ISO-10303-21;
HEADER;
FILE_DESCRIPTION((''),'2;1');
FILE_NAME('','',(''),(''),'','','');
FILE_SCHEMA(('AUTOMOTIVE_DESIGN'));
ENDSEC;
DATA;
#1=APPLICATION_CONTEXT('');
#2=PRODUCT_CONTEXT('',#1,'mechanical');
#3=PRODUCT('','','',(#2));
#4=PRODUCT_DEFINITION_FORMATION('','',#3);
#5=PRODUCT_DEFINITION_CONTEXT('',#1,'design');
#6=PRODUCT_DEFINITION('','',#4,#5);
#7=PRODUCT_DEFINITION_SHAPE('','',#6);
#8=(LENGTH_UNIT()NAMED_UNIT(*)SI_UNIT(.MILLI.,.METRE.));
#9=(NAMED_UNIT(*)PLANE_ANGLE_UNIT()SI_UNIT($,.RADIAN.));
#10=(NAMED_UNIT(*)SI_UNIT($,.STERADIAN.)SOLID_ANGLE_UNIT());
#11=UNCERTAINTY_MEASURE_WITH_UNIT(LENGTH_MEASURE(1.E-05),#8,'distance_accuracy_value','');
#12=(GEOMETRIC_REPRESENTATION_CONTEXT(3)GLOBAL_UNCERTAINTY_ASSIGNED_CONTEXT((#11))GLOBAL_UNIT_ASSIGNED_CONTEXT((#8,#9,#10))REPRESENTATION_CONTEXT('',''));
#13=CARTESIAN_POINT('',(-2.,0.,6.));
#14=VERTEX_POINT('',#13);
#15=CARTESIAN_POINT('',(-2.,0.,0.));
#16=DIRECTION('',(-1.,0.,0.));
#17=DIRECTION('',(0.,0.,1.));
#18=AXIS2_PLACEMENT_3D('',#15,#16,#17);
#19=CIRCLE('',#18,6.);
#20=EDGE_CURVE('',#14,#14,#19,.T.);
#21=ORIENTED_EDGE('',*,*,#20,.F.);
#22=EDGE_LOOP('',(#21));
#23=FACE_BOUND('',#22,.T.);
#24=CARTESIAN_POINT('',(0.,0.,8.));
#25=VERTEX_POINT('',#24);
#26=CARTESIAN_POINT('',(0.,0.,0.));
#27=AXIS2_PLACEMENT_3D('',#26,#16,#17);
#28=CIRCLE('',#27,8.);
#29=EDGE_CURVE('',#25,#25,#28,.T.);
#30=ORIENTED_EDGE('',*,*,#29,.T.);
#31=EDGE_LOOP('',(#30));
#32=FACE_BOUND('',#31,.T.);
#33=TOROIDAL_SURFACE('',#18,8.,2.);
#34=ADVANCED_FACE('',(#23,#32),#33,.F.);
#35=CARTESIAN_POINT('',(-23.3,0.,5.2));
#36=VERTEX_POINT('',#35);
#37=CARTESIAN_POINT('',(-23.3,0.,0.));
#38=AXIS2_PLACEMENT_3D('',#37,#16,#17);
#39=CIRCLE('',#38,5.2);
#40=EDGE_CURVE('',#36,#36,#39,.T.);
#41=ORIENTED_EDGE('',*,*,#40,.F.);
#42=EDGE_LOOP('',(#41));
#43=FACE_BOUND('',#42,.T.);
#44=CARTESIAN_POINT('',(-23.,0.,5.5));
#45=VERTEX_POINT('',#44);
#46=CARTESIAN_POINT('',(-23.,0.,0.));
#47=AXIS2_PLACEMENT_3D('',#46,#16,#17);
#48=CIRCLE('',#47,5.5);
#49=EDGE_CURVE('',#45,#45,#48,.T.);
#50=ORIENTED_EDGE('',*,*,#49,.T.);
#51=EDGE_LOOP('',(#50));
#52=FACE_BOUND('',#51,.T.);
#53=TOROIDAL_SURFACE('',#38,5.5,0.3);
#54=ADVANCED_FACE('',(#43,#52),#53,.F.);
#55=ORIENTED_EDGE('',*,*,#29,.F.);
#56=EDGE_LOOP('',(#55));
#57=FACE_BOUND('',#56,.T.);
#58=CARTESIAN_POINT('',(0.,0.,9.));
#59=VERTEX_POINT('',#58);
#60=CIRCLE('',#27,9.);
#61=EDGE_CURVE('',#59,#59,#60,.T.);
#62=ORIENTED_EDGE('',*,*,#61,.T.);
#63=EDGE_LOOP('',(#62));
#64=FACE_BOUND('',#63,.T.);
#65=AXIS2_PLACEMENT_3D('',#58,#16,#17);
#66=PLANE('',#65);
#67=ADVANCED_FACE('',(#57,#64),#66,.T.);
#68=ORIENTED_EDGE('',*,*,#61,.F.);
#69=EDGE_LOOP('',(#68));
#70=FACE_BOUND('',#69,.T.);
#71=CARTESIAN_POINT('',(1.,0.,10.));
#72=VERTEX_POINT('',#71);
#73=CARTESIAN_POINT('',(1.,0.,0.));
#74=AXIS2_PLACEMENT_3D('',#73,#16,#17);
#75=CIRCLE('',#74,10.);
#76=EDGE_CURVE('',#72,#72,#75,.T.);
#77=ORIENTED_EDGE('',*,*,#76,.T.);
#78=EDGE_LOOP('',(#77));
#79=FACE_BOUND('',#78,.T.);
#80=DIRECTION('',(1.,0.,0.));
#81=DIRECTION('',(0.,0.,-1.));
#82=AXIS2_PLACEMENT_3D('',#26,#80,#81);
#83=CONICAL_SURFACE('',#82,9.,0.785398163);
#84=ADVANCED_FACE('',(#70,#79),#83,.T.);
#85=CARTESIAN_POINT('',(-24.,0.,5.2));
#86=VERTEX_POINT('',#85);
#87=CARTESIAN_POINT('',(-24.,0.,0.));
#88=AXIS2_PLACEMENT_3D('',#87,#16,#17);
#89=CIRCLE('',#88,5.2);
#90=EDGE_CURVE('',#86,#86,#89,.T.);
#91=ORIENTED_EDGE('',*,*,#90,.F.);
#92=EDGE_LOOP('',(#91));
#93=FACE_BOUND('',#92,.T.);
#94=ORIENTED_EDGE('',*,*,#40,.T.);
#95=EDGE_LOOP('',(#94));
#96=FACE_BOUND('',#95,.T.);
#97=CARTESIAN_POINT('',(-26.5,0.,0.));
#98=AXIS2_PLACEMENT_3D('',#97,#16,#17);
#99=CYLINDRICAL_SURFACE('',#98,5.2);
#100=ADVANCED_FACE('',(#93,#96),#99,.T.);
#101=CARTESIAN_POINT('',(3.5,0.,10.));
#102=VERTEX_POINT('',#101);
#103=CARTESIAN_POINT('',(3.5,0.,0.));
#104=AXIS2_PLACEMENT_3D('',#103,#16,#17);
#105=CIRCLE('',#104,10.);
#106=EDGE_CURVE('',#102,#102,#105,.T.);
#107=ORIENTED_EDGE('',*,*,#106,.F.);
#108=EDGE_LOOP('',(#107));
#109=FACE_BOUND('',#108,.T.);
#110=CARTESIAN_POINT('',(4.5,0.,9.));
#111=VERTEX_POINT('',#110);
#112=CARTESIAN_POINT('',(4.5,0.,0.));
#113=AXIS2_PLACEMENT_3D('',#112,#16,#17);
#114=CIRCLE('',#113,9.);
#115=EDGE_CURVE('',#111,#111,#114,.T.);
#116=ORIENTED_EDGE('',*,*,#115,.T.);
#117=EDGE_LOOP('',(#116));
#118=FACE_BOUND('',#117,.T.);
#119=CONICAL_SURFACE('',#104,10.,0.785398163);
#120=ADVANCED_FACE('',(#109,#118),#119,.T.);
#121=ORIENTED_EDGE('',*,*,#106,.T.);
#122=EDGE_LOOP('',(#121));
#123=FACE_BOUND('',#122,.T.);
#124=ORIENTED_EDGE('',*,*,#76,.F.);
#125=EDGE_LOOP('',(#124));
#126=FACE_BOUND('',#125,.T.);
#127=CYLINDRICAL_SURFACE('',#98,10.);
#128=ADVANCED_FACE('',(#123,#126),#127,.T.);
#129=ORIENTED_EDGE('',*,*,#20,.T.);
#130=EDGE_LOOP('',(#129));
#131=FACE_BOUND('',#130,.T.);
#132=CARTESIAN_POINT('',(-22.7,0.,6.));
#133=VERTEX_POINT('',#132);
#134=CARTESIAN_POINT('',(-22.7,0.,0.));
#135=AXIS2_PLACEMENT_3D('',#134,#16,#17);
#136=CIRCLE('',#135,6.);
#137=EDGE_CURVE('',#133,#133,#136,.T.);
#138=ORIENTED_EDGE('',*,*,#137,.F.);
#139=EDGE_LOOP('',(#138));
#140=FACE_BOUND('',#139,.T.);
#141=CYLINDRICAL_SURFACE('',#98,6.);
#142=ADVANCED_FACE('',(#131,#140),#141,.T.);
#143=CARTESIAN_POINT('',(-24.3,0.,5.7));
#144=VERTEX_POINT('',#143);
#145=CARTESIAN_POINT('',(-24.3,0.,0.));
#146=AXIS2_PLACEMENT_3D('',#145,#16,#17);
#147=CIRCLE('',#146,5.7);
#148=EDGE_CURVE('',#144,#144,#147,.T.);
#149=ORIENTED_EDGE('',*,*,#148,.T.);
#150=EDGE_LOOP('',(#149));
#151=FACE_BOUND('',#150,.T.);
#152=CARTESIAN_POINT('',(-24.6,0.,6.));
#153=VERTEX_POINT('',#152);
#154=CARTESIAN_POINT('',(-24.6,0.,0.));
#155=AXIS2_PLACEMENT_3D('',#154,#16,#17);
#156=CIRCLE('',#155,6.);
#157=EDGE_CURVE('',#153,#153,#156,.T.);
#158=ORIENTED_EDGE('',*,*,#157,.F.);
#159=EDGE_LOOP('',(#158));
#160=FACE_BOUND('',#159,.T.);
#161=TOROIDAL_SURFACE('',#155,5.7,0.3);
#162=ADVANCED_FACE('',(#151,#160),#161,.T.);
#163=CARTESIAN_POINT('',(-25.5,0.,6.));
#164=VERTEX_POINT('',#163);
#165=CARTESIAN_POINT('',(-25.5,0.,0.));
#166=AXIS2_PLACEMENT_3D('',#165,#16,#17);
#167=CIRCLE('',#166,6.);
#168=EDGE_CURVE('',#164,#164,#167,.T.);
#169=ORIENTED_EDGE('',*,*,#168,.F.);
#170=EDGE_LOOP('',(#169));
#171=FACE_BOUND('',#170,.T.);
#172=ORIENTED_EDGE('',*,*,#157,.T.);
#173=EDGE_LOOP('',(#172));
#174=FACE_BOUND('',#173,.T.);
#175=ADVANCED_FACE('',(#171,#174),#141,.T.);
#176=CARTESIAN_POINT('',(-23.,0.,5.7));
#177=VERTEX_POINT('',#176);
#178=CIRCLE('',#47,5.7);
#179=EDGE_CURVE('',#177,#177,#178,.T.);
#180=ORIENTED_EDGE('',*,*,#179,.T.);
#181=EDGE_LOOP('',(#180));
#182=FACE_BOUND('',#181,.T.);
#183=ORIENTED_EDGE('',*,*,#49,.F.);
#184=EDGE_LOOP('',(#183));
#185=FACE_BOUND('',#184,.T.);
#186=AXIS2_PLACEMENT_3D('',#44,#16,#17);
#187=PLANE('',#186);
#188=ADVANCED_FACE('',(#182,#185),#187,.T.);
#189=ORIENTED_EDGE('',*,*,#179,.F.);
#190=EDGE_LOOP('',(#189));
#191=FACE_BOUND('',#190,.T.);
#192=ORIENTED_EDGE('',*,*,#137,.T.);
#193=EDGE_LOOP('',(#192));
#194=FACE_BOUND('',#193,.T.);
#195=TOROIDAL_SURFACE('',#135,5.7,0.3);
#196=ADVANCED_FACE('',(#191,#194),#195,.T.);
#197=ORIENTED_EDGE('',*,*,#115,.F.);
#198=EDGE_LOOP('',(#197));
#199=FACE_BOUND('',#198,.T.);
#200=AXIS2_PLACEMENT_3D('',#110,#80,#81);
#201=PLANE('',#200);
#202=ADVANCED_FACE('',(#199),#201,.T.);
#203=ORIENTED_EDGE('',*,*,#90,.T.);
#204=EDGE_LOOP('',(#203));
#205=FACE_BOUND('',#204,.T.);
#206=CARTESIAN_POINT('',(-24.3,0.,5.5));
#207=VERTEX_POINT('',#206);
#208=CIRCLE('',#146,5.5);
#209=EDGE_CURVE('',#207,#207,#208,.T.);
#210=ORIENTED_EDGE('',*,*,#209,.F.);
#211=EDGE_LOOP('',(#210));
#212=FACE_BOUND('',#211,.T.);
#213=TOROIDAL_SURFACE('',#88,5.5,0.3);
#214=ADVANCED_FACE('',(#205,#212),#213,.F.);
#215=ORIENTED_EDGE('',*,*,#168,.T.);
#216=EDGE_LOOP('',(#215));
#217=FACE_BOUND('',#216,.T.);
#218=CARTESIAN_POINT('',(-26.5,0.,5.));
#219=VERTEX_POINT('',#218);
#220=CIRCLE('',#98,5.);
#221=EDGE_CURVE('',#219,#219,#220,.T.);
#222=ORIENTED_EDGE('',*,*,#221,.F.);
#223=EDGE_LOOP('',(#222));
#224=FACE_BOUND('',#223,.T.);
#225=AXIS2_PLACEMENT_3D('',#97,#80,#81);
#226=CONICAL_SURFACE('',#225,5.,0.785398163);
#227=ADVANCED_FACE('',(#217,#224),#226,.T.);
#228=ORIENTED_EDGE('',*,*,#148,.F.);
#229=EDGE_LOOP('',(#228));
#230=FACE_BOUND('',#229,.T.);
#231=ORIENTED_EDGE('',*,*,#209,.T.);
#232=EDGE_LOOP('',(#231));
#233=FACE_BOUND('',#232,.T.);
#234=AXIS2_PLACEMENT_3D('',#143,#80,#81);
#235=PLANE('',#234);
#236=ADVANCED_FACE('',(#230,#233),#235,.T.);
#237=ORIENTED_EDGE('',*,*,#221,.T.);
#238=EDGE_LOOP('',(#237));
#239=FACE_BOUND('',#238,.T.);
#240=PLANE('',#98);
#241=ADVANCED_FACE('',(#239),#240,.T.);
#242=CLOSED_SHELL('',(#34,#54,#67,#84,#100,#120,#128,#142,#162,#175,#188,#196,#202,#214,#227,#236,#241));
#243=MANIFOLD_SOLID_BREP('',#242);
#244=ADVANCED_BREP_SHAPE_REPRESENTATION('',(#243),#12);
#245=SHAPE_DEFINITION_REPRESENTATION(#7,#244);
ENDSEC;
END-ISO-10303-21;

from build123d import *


with BuildPart() as part:
    # Sketch1 → Revolve1 (revolve)
    with BuildSketch(Plane(origin=(0, 0, 0), x_dir=(-1, 0, 0), z_dir=(0, 1, 0))):
        with BuildLine():
            Line((-1, 10), (-3.5, 10))
            Line((-3.5, 10), (-4.5, 9))
            Line((-4.5, 9), (-4.5, 0))
            Line((-4.5, 0), (26.5, 0))
            Line((26.5, 0), (26.5, 5))
            Line((26.5, 5), (25.5, 6))
            Line((25.5, 6), (24.6, 6))
            ThreePointArc((24.6, 6), (24.387867966, 5.912132034), (24.3, 5.7))
            Line((24.3, 5.7), (24.3, 5.5))
            ThreePointArc((24.3, 5.5), (24.212132034, 5.287867966), (24, 5.2))
            Line((24, 5.2), (23.3, 5.2))
            ThreePointArc((23.3, 5.2), (23.087867966, 5.287867966), (23, 5.5))
            Line((23, 5.5), (23, 5.7))
            ThreePointArc((23, 5.7), (22.912132034, 5.912132034), (22.7, 6))
            Line((22.7, 6), (2, 6))
            ThreePointArc((2, 6), (0.585786438, 6.585786438), (0, 8))
            Line((0, 8), (0, 9))
            Line((0, 9), (-1, 10))
        make_face()
    revolve(axis=Axis((-26.5, 0, 0), (1, 0, 0)))


solid = part.part
